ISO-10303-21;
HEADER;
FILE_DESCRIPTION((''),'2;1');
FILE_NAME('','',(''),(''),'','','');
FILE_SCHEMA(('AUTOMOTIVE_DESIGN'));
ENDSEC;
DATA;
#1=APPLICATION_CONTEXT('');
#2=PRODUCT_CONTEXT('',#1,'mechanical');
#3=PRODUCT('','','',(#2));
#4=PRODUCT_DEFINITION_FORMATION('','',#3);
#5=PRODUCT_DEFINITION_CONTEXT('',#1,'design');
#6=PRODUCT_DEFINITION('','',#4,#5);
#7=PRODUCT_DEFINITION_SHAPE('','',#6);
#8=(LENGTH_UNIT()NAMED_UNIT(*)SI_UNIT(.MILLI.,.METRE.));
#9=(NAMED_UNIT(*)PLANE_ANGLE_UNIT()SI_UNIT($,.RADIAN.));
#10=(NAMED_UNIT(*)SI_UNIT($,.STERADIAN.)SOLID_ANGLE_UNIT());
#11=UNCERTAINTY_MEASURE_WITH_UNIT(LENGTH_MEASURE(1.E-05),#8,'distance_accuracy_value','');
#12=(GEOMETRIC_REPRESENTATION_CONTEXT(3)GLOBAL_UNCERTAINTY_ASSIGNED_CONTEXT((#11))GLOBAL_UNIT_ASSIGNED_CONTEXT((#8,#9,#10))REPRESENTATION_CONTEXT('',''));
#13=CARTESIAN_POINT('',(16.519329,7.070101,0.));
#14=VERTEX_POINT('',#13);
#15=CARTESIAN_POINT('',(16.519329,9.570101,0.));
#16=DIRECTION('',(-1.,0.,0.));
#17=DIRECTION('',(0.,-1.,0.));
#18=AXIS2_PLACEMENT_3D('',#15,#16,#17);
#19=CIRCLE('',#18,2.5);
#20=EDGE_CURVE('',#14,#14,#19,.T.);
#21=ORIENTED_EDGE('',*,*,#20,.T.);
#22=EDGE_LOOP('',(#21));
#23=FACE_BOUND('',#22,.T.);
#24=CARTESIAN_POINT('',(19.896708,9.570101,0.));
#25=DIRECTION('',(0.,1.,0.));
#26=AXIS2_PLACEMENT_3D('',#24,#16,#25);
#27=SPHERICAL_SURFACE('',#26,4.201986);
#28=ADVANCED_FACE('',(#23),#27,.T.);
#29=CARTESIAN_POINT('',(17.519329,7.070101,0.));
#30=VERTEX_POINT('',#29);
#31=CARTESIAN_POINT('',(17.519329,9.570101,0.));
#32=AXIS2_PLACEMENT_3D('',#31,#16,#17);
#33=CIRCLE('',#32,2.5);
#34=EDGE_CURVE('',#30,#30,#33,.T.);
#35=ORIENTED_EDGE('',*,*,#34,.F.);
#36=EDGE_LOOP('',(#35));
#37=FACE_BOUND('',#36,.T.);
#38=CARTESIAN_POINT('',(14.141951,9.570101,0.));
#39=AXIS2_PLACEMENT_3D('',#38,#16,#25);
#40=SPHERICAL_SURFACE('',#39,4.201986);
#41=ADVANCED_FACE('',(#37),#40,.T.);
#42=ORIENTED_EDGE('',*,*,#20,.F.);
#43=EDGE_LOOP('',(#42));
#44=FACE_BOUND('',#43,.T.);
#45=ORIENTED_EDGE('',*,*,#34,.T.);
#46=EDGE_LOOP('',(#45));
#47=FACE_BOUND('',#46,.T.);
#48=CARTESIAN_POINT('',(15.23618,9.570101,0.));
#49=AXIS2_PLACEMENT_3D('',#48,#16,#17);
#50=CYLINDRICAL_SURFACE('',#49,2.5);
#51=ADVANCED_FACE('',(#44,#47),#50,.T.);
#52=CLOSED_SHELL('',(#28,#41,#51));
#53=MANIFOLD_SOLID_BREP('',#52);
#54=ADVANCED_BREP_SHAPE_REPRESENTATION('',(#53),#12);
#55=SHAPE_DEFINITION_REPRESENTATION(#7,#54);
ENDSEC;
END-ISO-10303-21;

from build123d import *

# Parameters (mm, degrees)
SKETCH_1_ONE_SIDE_W = 1
SKETCH_1_ONE_SIDE_H = 2.5


with BuildPart() as part:
    # 草图1 one side → 旋转1 (revolve)
    with BuildSketch(Plane.XY):
        with Locations((17.019329483, 10.820100989)):
            Rectangle(SKETCH_1_ONE_SIDE_W, SKETCH_1_ONE_SIDE_H)
        with BuildLine():
            Line((15.694722069, 9.570100989), (16.519329483, 9.570100989))
            Line((16.519329483, 9.570100989), (16.519329483, 12.070100989))
            ThreePointArc((16.519329483, 12.070100989), (15.906195328, 10.8863435), (15.694722069, 9.570100989))
        make_face()
        with BuildLine():
            Line((17.519329483, 9.570100989), (18.343936898, 9.570100989))
            ThreePointArc((18.343936898, 9.570100989), (18.132463639, 10.8863435), (17.519329483, 12.070100989))
            Line((17.519329483, 12.070100989), (17.519329483, 9.570100989))
        make_face()
    revolve(axis=Axis((15.236180101, 9.570100989, 0), (1, 0, 0)))


solid = part.part
